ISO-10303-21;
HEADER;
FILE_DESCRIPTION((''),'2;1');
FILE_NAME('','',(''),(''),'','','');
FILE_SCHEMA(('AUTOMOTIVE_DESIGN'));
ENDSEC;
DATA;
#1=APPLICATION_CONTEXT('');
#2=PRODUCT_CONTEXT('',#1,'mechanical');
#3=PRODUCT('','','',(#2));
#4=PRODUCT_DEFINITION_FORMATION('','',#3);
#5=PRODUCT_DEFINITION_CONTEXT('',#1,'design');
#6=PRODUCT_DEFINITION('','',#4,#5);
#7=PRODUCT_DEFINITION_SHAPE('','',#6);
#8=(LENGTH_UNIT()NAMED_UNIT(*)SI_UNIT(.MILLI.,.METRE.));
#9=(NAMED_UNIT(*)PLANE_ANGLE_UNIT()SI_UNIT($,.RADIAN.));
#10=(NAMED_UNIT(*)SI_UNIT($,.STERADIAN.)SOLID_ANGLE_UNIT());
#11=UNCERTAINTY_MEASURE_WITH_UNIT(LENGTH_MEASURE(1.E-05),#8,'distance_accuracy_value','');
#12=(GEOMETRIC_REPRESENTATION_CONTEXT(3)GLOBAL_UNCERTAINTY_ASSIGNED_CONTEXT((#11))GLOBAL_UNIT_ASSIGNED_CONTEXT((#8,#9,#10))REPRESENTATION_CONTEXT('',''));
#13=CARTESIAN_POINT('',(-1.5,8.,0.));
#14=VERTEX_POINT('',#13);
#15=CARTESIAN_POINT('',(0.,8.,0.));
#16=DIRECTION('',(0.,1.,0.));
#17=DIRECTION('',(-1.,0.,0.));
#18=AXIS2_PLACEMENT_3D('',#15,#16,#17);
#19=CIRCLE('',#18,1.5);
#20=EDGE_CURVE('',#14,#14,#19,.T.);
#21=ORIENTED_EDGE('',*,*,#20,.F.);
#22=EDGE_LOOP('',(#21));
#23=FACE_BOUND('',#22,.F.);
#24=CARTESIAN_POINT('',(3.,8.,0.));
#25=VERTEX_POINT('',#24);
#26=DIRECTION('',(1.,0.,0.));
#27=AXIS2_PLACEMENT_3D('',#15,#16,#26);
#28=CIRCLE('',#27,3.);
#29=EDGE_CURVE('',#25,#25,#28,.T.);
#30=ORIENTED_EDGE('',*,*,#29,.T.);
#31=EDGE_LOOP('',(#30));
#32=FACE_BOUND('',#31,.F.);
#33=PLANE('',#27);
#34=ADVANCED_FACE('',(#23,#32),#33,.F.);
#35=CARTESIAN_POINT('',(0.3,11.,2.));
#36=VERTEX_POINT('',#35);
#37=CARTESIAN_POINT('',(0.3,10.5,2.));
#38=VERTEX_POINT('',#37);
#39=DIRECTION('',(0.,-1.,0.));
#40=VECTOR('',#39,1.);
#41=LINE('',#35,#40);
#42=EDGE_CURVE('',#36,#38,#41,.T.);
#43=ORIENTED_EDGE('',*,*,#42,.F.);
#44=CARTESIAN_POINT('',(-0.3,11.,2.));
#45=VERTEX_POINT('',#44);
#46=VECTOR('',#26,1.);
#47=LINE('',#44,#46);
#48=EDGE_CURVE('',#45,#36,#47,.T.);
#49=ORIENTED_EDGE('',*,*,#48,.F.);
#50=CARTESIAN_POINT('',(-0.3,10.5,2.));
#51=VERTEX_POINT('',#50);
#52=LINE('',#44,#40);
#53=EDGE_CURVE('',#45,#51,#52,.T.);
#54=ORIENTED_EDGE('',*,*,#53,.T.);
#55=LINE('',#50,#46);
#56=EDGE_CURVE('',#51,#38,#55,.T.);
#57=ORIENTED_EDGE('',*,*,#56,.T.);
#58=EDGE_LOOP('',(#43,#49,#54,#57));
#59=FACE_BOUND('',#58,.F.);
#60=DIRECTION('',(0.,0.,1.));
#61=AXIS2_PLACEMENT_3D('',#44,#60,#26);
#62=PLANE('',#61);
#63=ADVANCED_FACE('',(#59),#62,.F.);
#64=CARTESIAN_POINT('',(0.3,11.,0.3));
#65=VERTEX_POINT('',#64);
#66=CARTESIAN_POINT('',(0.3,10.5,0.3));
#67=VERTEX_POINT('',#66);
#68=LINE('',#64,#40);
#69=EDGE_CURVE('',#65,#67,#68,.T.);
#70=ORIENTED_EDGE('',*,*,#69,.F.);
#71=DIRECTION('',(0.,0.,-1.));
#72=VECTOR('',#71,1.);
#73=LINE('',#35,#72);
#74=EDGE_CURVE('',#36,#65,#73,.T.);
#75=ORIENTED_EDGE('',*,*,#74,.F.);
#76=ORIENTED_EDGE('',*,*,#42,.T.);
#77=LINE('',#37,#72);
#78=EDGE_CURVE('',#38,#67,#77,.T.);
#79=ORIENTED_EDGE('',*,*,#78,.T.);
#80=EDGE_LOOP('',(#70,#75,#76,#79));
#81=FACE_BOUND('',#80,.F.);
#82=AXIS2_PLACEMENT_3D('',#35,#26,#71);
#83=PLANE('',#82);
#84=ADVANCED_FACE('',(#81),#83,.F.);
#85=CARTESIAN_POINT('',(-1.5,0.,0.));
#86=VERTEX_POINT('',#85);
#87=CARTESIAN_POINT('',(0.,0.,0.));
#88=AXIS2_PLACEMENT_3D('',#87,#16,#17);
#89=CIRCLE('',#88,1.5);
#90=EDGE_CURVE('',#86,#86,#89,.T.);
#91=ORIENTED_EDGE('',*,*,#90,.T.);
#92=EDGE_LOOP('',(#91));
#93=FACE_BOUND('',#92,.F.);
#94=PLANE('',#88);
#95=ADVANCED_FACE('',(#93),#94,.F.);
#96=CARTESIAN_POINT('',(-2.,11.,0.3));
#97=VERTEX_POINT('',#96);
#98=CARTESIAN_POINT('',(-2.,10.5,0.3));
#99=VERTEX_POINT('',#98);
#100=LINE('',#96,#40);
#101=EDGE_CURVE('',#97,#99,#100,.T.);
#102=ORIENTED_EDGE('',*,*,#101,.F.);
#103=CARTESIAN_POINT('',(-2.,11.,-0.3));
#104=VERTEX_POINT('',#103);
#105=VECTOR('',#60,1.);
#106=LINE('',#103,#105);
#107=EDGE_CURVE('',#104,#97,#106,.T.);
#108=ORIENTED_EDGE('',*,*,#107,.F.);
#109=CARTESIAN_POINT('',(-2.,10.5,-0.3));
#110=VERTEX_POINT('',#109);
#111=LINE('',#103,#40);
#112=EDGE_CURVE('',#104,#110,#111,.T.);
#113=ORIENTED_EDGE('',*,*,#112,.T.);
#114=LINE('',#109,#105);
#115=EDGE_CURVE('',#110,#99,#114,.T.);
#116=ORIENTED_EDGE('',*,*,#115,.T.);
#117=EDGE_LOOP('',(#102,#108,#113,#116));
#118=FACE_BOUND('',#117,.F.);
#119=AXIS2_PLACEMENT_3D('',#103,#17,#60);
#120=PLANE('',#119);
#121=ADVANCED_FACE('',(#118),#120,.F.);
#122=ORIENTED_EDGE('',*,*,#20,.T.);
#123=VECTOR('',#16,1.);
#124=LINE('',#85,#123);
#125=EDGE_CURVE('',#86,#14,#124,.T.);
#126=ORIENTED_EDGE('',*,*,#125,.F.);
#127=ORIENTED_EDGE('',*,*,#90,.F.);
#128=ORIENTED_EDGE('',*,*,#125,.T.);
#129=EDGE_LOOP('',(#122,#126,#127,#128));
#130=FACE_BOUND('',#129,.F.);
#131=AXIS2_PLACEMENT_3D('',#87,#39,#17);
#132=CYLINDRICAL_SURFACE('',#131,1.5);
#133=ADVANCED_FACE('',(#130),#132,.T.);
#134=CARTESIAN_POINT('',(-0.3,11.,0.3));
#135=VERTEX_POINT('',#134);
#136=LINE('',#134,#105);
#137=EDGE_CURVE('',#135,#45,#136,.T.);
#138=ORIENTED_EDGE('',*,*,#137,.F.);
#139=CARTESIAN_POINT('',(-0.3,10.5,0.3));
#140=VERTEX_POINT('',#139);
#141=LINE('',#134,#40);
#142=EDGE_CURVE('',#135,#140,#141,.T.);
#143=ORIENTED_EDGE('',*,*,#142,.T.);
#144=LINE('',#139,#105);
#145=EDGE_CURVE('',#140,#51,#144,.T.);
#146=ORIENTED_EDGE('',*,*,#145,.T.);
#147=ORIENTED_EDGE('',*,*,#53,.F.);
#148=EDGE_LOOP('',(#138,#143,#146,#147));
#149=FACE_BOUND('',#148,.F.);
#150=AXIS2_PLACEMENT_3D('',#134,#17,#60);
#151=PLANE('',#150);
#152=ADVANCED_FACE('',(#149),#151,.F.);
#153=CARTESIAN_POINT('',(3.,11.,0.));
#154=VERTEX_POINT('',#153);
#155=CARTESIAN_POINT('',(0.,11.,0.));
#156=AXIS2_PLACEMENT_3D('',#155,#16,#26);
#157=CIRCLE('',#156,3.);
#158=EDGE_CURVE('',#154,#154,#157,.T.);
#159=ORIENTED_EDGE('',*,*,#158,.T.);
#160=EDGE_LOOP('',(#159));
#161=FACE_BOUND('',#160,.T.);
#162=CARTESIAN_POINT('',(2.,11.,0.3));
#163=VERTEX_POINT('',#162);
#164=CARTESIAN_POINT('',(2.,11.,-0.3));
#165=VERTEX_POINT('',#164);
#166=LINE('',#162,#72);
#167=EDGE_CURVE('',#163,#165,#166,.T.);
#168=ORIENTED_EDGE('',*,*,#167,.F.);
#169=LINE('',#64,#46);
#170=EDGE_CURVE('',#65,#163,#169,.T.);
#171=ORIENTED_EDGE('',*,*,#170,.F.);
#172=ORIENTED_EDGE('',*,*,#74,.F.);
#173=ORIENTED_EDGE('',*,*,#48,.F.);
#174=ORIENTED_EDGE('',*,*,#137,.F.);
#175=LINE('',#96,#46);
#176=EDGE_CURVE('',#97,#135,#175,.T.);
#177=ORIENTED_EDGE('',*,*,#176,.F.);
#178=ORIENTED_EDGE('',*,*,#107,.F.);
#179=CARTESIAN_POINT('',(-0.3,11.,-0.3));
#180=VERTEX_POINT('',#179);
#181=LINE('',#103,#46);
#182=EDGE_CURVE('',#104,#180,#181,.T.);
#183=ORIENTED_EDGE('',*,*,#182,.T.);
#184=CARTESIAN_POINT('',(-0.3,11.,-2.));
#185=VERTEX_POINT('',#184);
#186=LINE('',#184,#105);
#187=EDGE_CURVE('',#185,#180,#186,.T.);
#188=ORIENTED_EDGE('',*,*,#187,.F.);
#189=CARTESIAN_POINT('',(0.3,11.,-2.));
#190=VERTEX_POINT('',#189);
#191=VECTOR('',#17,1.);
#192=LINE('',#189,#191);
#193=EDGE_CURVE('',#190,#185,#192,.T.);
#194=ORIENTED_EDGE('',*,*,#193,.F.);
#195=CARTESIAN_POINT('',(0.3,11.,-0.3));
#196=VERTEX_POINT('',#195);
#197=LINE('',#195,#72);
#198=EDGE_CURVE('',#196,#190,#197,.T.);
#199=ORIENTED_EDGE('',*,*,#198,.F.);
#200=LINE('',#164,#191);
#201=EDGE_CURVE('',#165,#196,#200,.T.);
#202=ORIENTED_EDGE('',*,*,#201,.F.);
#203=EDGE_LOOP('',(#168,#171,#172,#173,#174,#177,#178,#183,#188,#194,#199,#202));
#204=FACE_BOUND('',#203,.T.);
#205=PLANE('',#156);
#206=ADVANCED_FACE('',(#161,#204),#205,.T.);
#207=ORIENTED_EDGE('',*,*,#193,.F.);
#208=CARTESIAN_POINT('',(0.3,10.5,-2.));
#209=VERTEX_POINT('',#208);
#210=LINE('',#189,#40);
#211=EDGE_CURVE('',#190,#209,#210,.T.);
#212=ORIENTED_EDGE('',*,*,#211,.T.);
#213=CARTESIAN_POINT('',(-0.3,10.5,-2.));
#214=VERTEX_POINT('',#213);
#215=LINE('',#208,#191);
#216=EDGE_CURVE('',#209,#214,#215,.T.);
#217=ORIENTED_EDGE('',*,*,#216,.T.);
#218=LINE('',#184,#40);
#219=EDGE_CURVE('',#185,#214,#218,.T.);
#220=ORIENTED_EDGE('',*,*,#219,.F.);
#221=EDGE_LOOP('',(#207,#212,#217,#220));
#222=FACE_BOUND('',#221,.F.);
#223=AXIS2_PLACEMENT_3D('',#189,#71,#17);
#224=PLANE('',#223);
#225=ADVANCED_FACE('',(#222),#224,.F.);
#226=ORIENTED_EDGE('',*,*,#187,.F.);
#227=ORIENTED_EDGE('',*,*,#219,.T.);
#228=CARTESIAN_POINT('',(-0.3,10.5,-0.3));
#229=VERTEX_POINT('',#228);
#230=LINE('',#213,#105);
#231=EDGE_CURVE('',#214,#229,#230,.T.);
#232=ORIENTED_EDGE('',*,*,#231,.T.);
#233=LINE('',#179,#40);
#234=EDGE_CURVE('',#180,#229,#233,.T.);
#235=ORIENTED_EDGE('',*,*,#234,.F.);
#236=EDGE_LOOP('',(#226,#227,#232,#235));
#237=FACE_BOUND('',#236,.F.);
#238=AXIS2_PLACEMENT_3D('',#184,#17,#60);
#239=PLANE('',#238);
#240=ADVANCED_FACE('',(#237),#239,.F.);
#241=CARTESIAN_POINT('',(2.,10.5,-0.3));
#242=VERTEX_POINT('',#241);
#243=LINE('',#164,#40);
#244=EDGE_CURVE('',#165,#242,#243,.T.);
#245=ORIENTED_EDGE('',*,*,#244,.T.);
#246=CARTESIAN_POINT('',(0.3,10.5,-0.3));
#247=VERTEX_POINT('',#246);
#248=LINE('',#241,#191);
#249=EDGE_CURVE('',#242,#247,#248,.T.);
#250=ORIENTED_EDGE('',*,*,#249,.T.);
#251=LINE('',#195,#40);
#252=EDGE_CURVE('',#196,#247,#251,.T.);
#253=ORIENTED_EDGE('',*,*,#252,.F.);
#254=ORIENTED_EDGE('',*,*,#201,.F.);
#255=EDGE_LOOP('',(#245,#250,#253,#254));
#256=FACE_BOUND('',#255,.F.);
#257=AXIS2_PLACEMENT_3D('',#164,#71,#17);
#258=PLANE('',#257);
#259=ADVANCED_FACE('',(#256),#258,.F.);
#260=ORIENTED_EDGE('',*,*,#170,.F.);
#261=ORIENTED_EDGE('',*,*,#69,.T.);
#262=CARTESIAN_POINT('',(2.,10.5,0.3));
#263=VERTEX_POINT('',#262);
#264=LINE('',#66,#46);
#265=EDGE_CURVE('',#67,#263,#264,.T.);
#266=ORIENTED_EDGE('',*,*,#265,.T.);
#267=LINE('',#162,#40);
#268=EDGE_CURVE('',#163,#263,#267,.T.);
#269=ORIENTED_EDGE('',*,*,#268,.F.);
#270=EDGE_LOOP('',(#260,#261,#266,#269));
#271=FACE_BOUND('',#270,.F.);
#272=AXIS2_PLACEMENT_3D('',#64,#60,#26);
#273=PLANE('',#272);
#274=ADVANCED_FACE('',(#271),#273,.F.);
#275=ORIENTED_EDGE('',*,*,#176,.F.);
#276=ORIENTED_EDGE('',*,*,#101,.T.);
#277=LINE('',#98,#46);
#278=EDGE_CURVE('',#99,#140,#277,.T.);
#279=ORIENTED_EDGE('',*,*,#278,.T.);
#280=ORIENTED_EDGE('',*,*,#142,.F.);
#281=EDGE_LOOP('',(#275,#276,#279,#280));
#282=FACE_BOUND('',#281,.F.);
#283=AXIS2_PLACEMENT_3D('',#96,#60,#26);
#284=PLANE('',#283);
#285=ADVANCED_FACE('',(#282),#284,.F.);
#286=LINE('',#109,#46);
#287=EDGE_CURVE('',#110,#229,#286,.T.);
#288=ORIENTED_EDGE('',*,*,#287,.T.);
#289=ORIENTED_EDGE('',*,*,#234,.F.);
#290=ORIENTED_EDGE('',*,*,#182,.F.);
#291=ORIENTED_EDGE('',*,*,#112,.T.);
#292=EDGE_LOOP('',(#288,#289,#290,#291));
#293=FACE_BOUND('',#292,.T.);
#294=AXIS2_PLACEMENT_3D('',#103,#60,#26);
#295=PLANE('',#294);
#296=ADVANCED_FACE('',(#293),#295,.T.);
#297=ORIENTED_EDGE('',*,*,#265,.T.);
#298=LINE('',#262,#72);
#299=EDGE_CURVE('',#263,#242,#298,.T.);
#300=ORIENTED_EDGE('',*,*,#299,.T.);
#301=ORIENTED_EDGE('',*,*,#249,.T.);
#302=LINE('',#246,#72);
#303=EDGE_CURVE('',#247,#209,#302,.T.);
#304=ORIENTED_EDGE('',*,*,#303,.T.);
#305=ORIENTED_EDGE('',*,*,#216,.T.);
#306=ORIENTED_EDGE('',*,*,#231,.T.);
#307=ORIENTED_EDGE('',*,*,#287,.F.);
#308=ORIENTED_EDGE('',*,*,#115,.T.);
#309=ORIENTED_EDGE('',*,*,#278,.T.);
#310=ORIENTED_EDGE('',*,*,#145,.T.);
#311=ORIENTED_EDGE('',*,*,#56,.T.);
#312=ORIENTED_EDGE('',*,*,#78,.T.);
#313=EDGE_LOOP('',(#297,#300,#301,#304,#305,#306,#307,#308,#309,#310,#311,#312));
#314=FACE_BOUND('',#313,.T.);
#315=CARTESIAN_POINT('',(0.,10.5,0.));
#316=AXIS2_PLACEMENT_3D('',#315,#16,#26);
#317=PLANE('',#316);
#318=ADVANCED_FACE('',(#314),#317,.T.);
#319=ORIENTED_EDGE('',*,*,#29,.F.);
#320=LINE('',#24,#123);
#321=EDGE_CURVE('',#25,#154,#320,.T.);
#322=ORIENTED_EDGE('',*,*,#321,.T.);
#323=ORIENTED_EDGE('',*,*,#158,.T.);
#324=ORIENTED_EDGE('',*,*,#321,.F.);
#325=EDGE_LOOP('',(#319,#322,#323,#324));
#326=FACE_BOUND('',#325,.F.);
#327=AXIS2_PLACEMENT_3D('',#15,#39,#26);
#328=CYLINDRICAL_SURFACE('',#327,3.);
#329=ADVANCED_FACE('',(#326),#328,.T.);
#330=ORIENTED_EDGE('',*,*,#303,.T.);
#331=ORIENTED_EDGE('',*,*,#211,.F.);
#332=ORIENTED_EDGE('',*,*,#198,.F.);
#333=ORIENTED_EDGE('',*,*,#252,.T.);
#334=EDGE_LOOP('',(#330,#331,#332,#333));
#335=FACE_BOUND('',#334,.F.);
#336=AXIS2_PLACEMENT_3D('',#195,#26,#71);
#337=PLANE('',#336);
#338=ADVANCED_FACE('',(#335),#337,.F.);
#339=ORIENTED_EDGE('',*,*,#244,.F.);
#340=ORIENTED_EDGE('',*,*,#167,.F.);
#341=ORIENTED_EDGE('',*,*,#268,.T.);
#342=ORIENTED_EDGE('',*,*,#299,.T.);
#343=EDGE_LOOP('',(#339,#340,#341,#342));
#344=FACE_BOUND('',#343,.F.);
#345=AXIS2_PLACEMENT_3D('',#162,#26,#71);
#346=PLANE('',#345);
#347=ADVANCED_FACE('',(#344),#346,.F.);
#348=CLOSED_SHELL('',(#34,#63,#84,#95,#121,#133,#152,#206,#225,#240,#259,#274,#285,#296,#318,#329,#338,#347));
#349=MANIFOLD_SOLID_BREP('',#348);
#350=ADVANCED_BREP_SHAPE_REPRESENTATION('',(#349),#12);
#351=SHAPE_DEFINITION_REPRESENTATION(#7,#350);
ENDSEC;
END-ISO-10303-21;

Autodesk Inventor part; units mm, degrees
ref_plane "YZ Plane" through (0, 0, 0) normal (1, 0, 0) x (0, 1, 0)
ref_plane "XZ Plane" through (0, 0, 0) normal (0, 1, 0) x (-1, 0, 0)
ref_plane "XY Plane" through (0, 0, 0) normal (0, 0, 1) x (1, 0, 0)
sketch "Sketch1" plane through (0, 0, 0) normal (0, 1, 0) x (-1, 0, 0)
  circle A0 centre (0, 0) radius 1.5
  dimension "d0" = 3
extrude "Extrusion1" add sketch "Sketch1" along normal blind 8
sketch "Sketch2" plane through (0, 8, 0) normal (0, 1, 0) x (1, 0, 0)
  circle A0 centre (0, 0) radius 3
  dimension "d3" = 6
extrude "Extrusion2" add sketch "Sketch2" along normal blind 3
sketch "Sketch3" plane through (0, 11, 0) normal (0, 1, 0) x (1, 0, 0)
  line L0 (-2, -0.3) -> (-0.3, -0.3)
  line L1 (-0.3, -0.3) -> (-0.3, -2)
  line L2 (-0.3, -2) -> (0.3, -2)
  line L3 (0.3, -2) -> (0.3, -0.3)
  line L4 (0.3, -0.3) -> (2, -0.3)
  line L5 (2, -0.3) -> (2, 0.3)
  line L6 (2, 0.3) -> (0.3, 0.3)
  line L7 (0.3, 0.3) -> (0.3, 2)
  line L8 (0.3, 2) -> (-0.3, 2)
  line L9 (-0.3, 2) -> (-0.3, 0.3)
  line L10 (-2, 0.3) -> (-2, -0.3)
  line L11 (-2, 0.3) -> (-0.3, 0.3)
  circle A0 centre (0, 0) radius 3 projected
  point P0 (0, 0)
  dimension "d19" = 0.3
  dimension "d20" = 0.3
  dimension "d22" = 2
  dimension "d23" = 0
  dimension "d26" = 0.3
  dimension "d27" = 0.3
extrude "Extrusion3" cut sketch "Sketch3" against normal blind 0.5 contours L10 L11 L9 L8 L7 L6 L5 L4 L3 L2 L1 L0
thread "Thread1" size "M3x0.5" class "6g" standard "ANSI Metric M Profile" full length
properties part number "BoltM3-PI" material "PC/ABS Plastic"
